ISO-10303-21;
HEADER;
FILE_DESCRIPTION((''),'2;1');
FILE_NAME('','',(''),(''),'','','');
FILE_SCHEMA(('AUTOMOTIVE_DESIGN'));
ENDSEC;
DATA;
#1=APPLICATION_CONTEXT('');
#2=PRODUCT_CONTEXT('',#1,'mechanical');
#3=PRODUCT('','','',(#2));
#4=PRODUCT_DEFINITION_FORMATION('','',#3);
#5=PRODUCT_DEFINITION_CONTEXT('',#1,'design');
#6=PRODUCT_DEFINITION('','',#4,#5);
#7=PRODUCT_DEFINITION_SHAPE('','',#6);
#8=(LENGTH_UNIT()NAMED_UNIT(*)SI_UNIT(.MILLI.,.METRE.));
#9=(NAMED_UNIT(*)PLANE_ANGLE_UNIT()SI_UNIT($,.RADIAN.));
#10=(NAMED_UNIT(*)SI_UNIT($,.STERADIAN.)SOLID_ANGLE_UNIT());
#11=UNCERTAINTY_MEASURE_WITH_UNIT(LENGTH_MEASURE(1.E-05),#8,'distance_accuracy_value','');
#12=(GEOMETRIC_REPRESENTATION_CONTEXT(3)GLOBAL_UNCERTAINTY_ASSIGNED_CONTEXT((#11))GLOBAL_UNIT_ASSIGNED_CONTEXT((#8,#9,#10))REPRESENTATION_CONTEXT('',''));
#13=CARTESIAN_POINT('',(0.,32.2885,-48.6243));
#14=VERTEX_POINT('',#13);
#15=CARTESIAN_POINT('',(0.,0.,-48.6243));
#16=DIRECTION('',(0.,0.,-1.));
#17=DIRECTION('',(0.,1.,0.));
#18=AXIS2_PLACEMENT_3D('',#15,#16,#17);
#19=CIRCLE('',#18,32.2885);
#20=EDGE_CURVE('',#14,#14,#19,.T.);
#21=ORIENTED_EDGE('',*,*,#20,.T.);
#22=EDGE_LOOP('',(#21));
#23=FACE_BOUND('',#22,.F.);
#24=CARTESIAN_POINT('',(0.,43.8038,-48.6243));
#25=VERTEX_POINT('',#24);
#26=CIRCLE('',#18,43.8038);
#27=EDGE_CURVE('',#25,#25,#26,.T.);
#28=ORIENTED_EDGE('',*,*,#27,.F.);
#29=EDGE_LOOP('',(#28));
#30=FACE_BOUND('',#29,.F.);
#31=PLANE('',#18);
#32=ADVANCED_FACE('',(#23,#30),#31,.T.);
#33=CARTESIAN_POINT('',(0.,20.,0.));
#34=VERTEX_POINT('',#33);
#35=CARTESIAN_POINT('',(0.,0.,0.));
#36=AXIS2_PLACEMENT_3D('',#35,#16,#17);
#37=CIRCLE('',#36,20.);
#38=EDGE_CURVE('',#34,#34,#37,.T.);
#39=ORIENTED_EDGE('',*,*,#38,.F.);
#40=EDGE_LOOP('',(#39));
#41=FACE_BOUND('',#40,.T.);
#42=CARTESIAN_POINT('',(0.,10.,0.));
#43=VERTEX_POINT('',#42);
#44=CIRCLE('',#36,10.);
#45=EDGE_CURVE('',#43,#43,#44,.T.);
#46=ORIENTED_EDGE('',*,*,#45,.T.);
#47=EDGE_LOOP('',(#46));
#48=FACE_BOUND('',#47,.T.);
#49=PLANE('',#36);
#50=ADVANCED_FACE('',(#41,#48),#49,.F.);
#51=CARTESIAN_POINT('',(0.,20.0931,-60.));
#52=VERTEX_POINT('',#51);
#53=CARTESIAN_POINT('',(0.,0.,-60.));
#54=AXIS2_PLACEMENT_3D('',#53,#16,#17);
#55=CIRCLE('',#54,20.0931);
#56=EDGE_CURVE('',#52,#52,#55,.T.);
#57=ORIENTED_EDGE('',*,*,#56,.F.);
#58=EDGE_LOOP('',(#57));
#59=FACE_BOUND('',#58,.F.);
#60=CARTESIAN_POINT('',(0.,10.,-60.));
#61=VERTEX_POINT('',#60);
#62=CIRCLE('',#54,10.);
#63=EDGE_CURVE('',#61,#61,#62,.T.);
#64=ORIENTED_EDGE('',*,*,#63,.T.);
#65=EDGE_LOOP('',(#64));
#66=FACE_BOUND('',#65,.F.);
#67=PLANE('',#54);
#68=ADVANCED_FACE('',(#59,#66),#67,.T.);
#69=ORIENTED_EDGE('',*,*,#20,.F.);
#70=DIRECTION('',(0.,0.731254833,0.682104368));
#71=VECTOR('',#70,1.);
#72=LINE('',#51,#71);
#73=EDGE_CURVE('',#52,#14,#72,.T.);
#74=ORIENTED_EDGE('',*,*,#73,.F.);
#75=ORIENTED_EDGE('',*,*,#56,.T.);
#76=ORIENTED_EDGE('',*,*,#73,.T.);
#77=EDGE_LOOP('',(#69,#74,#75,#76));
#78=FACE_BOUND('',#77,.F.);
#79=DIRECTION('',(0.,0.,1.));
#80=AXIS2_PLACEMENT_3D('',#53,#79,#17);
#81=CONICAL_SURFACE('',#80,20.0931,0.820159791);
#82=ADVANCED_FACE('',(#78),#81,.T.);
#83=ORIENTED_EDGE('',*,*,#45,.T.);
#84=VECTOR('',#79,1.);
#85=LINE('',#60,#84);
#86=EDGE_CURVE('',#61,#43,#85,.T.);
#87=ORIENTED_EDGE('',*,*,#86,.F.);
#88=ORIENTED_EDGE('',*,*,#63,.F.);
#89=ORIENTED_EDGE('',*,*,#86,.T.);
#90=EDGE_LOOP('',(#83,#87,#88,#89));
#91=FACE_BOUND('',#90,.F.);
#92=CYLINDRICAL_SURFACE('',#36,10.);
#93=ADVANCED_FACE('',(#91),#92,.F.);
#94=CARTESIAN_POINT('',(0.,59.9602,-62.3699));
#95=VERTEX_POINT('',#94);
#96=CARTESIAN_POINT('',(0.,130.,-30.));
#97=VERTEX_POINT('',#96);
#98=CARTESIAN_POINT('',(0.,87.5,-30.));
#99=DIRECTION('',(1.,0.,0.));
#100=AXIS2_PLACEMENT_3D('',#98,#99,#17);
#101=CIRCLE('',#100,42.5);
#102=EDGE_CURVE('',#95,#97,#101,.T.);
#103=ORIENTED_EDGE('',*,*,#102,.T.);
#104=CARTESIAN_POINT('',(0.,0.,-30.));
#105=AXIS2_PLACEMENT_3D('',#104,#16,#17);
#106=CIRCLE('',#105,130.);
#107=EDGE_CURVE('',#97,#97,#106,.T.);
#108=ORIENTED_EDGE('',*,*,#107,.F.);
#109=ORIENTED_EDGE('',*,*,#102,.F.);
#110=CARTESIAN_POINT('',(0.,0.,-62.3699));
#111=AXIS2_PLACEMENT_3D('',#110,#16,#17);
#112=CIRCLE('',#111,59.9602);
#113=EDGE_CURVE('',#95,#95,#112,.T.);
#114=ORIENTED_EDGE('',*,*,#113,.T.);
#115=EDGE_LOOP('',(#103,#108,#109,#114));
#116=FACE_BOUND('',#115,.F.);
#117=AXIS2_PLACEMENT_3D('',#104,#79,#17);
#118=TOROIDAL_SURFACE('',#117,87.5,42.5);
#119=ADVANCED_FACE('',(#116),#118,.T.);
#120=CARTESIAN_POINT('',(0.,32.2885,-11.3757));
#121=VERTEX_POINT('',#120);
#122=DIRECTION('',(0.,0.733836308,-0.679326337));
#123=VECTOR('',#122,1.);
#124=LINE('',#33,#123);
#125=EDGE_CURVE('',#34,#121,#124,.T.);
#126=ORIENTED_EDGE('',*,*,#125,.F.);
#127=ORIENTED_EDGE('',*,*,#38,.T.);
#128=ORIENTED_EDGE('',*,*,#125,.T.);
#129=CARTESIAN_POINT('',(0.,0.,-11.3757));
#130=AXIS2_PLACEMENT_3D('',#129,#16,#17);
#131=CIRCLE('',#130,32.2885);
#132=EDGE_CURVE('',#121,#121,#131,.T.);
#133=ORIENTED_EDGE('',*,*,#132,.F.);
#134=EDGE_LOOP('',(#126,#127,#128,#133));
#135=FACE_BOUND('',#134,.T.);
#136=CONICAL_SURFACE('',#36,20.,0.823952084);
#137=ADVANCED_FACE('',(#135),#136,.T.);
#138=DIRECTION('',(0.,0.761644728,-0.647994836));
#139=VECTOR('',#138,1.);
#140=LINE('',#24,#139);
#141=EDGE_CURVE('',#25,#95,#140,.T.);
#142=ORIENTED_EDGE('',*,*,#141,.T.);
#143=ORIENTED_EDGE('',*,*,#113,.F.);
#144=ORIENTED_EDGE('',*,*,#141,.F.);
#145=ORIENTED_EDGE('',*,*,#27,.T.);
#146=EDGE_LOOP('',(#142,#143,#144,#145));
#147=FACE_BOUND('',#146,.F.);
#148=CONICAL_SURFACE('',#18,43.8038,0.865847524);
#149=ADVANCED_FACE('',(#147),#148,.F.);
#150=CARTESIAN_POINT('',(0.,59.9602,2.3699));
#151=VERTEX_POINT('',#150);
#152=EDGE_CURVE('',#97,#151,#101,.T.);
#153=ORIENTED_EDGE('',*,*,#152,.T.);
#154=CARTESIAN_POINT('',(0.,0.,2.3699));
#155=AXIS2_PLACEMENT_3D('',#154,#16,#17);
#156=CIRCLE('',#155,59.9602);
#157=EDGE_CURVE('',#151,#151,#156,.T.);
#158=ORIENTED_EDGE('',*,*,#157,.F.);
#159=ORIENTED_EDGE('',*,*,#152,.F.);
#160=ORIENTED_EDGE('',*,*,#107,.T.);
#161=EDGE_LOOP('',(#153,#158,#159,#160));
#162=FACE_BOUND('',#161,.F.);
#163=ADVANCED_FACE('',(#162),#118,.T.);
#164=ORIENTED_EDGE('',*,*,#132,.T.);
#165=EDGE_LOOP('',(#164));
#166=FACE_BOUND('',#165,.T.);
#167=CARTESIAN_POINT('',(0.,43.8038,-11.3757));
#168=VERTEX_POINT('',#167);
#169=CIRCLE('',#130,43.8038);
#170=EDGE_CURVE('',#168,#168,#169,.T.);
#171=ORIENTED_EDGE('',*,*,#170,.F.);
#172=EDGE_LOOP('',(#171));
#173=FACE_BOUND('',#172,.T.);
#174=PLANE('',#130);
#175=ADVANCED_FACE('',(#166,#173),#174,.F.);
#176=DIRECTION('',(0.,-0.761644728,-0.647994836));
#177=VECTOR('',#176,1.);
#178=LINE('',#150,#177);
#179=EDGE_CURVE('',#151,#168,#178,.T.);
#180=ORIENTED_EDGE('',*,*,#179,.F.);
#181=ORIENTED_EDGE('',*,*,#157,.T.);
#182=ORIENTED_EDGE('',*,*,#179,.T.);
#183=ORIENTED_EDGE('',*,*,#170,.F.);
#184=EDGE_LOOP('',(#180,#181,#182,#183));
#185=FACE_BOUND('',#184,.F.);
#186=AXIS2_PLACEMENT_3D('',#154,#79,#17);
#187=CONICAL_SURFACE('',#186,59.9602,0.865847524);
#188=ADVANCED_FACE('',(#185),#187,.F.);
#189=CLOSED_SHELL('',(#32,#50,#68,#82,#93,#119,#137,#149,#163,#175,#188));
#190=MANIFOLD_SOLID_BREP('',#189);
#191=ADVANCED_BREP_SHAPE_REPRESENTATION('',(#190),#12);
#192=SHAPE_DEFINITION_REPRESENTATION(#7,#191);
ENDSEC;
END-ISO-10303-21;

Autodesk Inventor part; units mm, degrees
ref_plane "YZ Plane" through (0, 0, 0) normal (1, 0, 0) x (0, 1, 0)
ref_plane "XZ Plane" through (0, 0, 0) normal (0, 1, 0) x (-1, 0, 0)
ref_plane "XY Plane" through (0, 0, 0) normal (0, 0, 1) x (1, 0, 0)
sketch "Skizze1" plane through (0, 0, 0) normal (1, 0, 0) x (0, 1, 0)
  line L0 (0, 0) -> (0, -60)
  line L1 (0, 0) -> (10, 0)
  line L2 (10, 0) -> (10, -60)
  line L3 (10, -60) -> (0, -60)
  line L4 (10, -60) -> (10, -60)
  line L5 (10, -60) -> (10, -8.2526)
  line L6 (10, -8.2526) -> (10, 0)
  line L7 (0, -30) -> (87.5, -30)
  circle A0 centre (87.5, -30) radius 42.5
  line L8 (10, 0) -> (20, 0)
  line L9 (10, -60) -> (20.0931, -60)
  line L10 (59.9602, 2.3699) -> (43.8038, -11.3757)
  line L11 (20, 0) -> (32.2885, -11.3757)
  line L12 (32.2885, -11.3757) -> (43.8038, -11.3757)
  line L13 (20.0931, -60) -> (32.2885, -48.6243)
  line L14 (32.2885, -48.6243) -> (43.8038, -48.6243)
  line L15 (43.8038, -48.6243) -> (59.9602, -62.3699)
  line L16 (38.0462, -11.3757) -> (38.0462, -48.6243)
  line L17 (130, -30) -> (87.5, -30)
  dimension "d0" = 20
  dimension "d1" = 60
  dimension "d2" = 85
  dimension "d4" = 260
  dimension "d5" = 40
revolve "Umdrehung1" add sketch "Skizze1" angle 360 about axis through (0, 0, 0) along (0, 0, -1) contours L8 L11 L12 L16 L7 L2 | L7 L16 L14 L13 L9 L2 | L16 L12 L10 A0 L7 | L7 A0 L15 L14 L16 | A0 L17 L7 | L7 L17 A0
properties part number "Wheel"
